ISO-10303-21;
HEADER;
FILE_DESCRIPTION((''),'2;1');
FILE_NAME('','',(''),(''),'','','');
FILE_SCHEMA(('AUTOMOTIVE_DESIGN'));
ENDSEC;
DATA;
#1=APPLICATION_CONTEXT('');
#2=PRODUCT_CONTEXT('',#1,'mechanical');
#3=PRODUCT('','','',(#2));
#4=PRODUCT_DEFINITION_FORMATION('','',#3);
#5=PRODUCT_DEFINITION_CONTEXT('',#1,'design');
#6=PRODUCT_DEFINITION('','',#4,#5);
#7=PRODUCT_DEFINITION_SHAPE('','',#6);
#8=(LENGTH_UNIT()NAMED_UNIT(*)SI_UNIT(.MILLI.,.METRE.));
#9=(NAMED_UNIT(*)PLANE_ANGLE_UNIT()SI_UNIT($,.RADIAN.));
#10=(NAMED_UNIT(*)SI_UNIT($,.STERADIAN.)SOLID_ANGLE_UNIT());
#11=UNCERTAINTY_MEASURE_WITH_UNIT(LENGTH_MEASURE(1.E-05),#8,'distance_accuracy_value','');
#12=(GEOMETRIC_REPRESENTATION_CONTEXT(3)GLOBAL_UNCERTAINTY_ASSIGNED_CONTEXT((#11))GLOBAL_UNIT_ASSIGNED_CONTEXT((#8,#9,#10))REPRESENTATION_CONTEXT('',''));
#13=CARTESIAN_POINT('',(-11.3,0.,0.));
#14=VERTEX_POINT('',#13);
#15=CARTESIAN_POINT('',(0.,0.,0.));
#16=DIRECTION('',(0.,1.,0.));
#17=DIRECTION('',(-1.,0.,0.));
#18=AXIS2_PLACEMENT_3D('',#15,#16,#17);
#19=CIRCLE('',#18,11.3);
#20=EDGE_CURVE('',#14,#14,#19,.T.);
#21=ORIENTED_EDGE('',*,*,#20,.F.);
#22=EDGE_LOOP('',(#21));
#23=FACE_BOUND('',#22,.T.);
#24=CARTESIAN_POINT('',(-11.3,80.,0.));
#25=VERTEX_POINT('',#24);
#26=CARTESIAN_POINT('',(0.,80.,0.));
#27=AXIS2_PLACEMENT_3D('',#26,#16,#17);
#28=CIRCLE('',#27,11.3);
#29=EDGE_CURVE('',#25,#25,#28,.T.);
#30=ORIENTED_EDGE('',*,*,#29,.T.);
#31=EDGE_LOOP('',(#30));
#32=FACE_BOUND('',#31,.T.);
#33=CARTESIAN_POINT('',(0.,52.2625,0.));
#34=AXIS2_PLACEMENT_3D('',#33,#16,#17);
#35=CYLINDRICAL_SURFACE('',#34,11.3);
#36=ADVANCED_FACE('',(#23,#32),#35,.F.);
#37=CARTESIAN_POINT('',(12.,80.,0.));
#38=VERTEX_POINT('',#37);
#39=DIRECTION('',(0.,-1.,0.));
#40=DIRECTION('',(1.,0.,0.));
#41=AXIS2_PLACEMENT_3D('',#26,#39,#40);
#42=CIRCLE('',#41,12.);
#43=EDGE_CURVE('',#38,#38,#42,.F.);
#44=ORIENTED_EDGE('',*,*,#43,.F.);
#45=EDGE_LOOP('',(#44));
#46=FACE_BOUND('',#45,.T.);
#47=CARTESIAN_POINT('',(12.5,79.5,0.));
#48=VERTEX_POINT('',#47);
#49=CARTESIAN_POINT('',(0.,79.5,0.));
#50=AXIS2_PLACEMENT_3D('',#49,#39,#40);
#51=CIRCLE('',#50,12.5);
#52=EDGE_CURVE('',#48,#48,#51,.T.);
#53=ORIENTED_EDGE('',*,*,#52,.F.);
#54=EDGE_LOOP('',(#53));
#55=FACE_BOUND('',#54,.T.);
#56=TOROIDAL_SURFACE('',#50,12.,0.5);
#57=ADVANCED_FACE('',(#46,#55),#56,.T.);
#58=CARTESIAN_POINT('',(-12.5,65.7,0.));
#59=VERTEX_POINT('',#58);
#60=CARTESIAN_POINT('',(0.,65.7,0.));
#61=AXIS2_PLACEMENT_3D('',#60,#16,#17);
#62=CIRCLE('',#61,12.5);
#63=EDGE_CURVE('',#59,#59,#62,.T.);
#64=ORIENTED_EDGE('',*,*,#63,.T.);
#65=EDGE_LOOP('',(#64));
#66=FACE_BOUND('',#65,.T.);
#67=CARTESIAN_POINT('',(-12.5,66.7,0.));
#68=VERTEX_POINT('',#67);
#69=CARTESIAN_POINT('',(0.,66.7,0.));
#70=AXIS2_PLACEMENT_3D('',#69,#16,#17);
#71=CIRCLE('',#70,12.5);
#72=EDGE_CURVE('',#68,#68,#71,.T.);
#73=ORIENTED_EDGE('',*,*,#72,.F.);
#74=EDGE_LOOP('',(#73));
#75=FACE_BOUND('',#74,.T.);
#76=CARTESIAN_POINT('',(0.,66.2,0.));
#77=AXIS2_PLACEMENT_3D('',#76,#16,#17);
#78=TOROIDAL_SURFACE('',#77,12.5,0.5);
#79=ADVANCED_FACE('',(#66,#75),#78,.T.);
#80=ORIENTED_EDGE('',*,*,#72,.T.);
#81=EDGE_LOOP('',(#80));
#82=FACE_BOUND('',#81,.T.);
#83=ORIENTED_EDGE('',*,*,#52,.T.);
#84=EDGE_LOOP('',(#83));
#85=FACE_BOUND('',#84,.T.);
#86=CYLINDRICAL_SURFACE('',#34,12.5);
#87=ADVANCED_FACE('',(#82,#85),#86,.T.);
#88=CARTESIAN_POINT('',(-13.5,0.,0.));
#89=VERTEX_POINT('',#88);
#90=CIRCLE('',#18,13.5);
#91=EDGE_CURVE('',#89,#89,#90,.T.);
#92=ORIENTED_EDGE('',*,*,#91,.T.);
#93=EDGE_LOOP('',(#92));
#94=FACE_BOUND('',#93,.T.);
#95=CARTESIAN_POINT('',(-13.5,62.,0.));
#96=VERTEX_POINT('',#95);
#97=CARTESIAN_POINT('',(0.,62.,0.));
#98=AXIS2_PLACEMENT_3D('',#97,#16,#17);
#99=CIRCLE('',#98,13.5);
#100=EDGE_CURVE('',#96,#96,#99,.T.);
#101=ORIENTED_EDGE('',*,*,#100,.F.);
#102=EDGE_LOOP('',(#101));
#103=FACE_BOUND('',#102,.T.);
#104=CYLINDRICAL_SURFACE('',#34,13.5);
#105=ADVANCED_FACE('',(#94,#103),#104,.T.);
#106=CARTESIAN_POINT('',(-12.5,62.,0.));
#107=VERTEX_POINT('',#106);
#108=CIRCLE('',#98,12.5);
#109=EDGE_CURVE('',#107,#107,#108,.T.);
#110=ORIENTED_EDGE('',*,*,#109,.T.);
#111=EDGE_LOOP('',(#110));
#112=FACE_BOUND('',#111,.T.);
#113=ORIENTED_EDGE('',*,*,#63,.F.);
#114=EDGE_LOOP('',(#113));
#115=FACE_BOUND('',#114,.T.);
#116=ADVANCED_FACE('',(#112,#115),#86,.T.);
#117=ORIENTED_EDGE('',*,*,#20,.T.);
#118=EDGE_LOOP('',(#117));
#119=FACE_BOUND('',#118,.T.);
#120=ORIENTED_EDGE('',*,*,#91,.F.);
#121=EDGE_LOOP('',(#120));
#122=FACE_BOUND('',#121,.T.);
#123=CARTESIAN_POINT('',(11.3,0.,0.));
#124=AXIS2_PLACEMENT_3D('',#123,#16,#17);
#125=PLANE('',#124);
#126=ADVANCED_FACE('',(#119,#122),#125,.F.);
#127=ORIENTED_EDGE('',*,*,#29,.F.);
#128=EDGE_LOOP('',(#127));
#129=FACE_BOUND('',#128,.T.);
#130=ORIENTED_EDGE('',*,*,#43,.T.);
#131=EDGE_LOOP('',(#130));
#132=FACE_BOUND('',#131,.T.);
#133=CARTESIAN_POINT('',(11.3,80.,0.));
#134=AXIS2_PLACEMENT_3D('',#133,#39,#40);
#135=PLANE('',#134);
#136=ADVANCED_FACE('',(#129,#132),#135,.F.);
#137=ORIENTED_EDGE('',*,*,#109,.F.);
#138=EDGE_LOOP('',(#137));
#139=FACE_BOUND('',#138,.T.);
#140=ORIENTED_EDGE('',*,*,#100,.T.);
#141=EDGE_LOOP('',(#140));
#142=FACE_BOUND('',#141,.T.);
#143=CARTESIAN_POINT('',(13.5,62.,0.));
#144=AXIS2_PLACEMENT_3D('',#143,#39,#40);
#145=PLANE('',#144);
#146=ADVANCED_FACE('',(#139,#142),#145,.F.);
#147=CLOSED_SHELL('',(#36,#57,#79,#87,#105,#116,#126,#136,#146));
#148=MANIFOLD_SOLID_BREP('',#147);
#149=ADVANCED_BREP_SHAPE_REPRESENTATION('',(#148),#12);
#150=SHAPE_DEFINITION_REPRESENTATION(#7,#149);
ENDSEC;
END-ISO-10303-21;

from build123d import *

# Parameters (mm, degrees)
FILLET1_R = 0.5


with BuildPart() as part:
    # Sketch1 → Revolve1 (revolve)
    with BuildSketch(Plane.XY):
        with BuildLine():
            Line((11.3, 0), (11.3, 80))
            Line((11.3, 80), (12.5, 80))
            Line((12.5, 80), (12.5, 66.7))
            ThreePointArc((12.5, 66.7), (13, 66.2), (12.5, 65.7))
            Line((12.5, 65.7), (12.5, 62))
            Line((12.5, 62), (13.5, 62))
            Line((13.5, 62), (13.5, 0))
            Line((13.5, 0), (11.3, 0))
        make_face()
    revolve(axis=Axis((0, 52.2625, 0), (0, -1, 0)))

    # Fillet1
    fillet1_edges = [part.edges().sort_by_distance(p)[0] for p in [
        (-12.5, 80, 0),
    ]]
    fillet(fillet1_edges, radius=FILLET1_R)


solid = part.part
